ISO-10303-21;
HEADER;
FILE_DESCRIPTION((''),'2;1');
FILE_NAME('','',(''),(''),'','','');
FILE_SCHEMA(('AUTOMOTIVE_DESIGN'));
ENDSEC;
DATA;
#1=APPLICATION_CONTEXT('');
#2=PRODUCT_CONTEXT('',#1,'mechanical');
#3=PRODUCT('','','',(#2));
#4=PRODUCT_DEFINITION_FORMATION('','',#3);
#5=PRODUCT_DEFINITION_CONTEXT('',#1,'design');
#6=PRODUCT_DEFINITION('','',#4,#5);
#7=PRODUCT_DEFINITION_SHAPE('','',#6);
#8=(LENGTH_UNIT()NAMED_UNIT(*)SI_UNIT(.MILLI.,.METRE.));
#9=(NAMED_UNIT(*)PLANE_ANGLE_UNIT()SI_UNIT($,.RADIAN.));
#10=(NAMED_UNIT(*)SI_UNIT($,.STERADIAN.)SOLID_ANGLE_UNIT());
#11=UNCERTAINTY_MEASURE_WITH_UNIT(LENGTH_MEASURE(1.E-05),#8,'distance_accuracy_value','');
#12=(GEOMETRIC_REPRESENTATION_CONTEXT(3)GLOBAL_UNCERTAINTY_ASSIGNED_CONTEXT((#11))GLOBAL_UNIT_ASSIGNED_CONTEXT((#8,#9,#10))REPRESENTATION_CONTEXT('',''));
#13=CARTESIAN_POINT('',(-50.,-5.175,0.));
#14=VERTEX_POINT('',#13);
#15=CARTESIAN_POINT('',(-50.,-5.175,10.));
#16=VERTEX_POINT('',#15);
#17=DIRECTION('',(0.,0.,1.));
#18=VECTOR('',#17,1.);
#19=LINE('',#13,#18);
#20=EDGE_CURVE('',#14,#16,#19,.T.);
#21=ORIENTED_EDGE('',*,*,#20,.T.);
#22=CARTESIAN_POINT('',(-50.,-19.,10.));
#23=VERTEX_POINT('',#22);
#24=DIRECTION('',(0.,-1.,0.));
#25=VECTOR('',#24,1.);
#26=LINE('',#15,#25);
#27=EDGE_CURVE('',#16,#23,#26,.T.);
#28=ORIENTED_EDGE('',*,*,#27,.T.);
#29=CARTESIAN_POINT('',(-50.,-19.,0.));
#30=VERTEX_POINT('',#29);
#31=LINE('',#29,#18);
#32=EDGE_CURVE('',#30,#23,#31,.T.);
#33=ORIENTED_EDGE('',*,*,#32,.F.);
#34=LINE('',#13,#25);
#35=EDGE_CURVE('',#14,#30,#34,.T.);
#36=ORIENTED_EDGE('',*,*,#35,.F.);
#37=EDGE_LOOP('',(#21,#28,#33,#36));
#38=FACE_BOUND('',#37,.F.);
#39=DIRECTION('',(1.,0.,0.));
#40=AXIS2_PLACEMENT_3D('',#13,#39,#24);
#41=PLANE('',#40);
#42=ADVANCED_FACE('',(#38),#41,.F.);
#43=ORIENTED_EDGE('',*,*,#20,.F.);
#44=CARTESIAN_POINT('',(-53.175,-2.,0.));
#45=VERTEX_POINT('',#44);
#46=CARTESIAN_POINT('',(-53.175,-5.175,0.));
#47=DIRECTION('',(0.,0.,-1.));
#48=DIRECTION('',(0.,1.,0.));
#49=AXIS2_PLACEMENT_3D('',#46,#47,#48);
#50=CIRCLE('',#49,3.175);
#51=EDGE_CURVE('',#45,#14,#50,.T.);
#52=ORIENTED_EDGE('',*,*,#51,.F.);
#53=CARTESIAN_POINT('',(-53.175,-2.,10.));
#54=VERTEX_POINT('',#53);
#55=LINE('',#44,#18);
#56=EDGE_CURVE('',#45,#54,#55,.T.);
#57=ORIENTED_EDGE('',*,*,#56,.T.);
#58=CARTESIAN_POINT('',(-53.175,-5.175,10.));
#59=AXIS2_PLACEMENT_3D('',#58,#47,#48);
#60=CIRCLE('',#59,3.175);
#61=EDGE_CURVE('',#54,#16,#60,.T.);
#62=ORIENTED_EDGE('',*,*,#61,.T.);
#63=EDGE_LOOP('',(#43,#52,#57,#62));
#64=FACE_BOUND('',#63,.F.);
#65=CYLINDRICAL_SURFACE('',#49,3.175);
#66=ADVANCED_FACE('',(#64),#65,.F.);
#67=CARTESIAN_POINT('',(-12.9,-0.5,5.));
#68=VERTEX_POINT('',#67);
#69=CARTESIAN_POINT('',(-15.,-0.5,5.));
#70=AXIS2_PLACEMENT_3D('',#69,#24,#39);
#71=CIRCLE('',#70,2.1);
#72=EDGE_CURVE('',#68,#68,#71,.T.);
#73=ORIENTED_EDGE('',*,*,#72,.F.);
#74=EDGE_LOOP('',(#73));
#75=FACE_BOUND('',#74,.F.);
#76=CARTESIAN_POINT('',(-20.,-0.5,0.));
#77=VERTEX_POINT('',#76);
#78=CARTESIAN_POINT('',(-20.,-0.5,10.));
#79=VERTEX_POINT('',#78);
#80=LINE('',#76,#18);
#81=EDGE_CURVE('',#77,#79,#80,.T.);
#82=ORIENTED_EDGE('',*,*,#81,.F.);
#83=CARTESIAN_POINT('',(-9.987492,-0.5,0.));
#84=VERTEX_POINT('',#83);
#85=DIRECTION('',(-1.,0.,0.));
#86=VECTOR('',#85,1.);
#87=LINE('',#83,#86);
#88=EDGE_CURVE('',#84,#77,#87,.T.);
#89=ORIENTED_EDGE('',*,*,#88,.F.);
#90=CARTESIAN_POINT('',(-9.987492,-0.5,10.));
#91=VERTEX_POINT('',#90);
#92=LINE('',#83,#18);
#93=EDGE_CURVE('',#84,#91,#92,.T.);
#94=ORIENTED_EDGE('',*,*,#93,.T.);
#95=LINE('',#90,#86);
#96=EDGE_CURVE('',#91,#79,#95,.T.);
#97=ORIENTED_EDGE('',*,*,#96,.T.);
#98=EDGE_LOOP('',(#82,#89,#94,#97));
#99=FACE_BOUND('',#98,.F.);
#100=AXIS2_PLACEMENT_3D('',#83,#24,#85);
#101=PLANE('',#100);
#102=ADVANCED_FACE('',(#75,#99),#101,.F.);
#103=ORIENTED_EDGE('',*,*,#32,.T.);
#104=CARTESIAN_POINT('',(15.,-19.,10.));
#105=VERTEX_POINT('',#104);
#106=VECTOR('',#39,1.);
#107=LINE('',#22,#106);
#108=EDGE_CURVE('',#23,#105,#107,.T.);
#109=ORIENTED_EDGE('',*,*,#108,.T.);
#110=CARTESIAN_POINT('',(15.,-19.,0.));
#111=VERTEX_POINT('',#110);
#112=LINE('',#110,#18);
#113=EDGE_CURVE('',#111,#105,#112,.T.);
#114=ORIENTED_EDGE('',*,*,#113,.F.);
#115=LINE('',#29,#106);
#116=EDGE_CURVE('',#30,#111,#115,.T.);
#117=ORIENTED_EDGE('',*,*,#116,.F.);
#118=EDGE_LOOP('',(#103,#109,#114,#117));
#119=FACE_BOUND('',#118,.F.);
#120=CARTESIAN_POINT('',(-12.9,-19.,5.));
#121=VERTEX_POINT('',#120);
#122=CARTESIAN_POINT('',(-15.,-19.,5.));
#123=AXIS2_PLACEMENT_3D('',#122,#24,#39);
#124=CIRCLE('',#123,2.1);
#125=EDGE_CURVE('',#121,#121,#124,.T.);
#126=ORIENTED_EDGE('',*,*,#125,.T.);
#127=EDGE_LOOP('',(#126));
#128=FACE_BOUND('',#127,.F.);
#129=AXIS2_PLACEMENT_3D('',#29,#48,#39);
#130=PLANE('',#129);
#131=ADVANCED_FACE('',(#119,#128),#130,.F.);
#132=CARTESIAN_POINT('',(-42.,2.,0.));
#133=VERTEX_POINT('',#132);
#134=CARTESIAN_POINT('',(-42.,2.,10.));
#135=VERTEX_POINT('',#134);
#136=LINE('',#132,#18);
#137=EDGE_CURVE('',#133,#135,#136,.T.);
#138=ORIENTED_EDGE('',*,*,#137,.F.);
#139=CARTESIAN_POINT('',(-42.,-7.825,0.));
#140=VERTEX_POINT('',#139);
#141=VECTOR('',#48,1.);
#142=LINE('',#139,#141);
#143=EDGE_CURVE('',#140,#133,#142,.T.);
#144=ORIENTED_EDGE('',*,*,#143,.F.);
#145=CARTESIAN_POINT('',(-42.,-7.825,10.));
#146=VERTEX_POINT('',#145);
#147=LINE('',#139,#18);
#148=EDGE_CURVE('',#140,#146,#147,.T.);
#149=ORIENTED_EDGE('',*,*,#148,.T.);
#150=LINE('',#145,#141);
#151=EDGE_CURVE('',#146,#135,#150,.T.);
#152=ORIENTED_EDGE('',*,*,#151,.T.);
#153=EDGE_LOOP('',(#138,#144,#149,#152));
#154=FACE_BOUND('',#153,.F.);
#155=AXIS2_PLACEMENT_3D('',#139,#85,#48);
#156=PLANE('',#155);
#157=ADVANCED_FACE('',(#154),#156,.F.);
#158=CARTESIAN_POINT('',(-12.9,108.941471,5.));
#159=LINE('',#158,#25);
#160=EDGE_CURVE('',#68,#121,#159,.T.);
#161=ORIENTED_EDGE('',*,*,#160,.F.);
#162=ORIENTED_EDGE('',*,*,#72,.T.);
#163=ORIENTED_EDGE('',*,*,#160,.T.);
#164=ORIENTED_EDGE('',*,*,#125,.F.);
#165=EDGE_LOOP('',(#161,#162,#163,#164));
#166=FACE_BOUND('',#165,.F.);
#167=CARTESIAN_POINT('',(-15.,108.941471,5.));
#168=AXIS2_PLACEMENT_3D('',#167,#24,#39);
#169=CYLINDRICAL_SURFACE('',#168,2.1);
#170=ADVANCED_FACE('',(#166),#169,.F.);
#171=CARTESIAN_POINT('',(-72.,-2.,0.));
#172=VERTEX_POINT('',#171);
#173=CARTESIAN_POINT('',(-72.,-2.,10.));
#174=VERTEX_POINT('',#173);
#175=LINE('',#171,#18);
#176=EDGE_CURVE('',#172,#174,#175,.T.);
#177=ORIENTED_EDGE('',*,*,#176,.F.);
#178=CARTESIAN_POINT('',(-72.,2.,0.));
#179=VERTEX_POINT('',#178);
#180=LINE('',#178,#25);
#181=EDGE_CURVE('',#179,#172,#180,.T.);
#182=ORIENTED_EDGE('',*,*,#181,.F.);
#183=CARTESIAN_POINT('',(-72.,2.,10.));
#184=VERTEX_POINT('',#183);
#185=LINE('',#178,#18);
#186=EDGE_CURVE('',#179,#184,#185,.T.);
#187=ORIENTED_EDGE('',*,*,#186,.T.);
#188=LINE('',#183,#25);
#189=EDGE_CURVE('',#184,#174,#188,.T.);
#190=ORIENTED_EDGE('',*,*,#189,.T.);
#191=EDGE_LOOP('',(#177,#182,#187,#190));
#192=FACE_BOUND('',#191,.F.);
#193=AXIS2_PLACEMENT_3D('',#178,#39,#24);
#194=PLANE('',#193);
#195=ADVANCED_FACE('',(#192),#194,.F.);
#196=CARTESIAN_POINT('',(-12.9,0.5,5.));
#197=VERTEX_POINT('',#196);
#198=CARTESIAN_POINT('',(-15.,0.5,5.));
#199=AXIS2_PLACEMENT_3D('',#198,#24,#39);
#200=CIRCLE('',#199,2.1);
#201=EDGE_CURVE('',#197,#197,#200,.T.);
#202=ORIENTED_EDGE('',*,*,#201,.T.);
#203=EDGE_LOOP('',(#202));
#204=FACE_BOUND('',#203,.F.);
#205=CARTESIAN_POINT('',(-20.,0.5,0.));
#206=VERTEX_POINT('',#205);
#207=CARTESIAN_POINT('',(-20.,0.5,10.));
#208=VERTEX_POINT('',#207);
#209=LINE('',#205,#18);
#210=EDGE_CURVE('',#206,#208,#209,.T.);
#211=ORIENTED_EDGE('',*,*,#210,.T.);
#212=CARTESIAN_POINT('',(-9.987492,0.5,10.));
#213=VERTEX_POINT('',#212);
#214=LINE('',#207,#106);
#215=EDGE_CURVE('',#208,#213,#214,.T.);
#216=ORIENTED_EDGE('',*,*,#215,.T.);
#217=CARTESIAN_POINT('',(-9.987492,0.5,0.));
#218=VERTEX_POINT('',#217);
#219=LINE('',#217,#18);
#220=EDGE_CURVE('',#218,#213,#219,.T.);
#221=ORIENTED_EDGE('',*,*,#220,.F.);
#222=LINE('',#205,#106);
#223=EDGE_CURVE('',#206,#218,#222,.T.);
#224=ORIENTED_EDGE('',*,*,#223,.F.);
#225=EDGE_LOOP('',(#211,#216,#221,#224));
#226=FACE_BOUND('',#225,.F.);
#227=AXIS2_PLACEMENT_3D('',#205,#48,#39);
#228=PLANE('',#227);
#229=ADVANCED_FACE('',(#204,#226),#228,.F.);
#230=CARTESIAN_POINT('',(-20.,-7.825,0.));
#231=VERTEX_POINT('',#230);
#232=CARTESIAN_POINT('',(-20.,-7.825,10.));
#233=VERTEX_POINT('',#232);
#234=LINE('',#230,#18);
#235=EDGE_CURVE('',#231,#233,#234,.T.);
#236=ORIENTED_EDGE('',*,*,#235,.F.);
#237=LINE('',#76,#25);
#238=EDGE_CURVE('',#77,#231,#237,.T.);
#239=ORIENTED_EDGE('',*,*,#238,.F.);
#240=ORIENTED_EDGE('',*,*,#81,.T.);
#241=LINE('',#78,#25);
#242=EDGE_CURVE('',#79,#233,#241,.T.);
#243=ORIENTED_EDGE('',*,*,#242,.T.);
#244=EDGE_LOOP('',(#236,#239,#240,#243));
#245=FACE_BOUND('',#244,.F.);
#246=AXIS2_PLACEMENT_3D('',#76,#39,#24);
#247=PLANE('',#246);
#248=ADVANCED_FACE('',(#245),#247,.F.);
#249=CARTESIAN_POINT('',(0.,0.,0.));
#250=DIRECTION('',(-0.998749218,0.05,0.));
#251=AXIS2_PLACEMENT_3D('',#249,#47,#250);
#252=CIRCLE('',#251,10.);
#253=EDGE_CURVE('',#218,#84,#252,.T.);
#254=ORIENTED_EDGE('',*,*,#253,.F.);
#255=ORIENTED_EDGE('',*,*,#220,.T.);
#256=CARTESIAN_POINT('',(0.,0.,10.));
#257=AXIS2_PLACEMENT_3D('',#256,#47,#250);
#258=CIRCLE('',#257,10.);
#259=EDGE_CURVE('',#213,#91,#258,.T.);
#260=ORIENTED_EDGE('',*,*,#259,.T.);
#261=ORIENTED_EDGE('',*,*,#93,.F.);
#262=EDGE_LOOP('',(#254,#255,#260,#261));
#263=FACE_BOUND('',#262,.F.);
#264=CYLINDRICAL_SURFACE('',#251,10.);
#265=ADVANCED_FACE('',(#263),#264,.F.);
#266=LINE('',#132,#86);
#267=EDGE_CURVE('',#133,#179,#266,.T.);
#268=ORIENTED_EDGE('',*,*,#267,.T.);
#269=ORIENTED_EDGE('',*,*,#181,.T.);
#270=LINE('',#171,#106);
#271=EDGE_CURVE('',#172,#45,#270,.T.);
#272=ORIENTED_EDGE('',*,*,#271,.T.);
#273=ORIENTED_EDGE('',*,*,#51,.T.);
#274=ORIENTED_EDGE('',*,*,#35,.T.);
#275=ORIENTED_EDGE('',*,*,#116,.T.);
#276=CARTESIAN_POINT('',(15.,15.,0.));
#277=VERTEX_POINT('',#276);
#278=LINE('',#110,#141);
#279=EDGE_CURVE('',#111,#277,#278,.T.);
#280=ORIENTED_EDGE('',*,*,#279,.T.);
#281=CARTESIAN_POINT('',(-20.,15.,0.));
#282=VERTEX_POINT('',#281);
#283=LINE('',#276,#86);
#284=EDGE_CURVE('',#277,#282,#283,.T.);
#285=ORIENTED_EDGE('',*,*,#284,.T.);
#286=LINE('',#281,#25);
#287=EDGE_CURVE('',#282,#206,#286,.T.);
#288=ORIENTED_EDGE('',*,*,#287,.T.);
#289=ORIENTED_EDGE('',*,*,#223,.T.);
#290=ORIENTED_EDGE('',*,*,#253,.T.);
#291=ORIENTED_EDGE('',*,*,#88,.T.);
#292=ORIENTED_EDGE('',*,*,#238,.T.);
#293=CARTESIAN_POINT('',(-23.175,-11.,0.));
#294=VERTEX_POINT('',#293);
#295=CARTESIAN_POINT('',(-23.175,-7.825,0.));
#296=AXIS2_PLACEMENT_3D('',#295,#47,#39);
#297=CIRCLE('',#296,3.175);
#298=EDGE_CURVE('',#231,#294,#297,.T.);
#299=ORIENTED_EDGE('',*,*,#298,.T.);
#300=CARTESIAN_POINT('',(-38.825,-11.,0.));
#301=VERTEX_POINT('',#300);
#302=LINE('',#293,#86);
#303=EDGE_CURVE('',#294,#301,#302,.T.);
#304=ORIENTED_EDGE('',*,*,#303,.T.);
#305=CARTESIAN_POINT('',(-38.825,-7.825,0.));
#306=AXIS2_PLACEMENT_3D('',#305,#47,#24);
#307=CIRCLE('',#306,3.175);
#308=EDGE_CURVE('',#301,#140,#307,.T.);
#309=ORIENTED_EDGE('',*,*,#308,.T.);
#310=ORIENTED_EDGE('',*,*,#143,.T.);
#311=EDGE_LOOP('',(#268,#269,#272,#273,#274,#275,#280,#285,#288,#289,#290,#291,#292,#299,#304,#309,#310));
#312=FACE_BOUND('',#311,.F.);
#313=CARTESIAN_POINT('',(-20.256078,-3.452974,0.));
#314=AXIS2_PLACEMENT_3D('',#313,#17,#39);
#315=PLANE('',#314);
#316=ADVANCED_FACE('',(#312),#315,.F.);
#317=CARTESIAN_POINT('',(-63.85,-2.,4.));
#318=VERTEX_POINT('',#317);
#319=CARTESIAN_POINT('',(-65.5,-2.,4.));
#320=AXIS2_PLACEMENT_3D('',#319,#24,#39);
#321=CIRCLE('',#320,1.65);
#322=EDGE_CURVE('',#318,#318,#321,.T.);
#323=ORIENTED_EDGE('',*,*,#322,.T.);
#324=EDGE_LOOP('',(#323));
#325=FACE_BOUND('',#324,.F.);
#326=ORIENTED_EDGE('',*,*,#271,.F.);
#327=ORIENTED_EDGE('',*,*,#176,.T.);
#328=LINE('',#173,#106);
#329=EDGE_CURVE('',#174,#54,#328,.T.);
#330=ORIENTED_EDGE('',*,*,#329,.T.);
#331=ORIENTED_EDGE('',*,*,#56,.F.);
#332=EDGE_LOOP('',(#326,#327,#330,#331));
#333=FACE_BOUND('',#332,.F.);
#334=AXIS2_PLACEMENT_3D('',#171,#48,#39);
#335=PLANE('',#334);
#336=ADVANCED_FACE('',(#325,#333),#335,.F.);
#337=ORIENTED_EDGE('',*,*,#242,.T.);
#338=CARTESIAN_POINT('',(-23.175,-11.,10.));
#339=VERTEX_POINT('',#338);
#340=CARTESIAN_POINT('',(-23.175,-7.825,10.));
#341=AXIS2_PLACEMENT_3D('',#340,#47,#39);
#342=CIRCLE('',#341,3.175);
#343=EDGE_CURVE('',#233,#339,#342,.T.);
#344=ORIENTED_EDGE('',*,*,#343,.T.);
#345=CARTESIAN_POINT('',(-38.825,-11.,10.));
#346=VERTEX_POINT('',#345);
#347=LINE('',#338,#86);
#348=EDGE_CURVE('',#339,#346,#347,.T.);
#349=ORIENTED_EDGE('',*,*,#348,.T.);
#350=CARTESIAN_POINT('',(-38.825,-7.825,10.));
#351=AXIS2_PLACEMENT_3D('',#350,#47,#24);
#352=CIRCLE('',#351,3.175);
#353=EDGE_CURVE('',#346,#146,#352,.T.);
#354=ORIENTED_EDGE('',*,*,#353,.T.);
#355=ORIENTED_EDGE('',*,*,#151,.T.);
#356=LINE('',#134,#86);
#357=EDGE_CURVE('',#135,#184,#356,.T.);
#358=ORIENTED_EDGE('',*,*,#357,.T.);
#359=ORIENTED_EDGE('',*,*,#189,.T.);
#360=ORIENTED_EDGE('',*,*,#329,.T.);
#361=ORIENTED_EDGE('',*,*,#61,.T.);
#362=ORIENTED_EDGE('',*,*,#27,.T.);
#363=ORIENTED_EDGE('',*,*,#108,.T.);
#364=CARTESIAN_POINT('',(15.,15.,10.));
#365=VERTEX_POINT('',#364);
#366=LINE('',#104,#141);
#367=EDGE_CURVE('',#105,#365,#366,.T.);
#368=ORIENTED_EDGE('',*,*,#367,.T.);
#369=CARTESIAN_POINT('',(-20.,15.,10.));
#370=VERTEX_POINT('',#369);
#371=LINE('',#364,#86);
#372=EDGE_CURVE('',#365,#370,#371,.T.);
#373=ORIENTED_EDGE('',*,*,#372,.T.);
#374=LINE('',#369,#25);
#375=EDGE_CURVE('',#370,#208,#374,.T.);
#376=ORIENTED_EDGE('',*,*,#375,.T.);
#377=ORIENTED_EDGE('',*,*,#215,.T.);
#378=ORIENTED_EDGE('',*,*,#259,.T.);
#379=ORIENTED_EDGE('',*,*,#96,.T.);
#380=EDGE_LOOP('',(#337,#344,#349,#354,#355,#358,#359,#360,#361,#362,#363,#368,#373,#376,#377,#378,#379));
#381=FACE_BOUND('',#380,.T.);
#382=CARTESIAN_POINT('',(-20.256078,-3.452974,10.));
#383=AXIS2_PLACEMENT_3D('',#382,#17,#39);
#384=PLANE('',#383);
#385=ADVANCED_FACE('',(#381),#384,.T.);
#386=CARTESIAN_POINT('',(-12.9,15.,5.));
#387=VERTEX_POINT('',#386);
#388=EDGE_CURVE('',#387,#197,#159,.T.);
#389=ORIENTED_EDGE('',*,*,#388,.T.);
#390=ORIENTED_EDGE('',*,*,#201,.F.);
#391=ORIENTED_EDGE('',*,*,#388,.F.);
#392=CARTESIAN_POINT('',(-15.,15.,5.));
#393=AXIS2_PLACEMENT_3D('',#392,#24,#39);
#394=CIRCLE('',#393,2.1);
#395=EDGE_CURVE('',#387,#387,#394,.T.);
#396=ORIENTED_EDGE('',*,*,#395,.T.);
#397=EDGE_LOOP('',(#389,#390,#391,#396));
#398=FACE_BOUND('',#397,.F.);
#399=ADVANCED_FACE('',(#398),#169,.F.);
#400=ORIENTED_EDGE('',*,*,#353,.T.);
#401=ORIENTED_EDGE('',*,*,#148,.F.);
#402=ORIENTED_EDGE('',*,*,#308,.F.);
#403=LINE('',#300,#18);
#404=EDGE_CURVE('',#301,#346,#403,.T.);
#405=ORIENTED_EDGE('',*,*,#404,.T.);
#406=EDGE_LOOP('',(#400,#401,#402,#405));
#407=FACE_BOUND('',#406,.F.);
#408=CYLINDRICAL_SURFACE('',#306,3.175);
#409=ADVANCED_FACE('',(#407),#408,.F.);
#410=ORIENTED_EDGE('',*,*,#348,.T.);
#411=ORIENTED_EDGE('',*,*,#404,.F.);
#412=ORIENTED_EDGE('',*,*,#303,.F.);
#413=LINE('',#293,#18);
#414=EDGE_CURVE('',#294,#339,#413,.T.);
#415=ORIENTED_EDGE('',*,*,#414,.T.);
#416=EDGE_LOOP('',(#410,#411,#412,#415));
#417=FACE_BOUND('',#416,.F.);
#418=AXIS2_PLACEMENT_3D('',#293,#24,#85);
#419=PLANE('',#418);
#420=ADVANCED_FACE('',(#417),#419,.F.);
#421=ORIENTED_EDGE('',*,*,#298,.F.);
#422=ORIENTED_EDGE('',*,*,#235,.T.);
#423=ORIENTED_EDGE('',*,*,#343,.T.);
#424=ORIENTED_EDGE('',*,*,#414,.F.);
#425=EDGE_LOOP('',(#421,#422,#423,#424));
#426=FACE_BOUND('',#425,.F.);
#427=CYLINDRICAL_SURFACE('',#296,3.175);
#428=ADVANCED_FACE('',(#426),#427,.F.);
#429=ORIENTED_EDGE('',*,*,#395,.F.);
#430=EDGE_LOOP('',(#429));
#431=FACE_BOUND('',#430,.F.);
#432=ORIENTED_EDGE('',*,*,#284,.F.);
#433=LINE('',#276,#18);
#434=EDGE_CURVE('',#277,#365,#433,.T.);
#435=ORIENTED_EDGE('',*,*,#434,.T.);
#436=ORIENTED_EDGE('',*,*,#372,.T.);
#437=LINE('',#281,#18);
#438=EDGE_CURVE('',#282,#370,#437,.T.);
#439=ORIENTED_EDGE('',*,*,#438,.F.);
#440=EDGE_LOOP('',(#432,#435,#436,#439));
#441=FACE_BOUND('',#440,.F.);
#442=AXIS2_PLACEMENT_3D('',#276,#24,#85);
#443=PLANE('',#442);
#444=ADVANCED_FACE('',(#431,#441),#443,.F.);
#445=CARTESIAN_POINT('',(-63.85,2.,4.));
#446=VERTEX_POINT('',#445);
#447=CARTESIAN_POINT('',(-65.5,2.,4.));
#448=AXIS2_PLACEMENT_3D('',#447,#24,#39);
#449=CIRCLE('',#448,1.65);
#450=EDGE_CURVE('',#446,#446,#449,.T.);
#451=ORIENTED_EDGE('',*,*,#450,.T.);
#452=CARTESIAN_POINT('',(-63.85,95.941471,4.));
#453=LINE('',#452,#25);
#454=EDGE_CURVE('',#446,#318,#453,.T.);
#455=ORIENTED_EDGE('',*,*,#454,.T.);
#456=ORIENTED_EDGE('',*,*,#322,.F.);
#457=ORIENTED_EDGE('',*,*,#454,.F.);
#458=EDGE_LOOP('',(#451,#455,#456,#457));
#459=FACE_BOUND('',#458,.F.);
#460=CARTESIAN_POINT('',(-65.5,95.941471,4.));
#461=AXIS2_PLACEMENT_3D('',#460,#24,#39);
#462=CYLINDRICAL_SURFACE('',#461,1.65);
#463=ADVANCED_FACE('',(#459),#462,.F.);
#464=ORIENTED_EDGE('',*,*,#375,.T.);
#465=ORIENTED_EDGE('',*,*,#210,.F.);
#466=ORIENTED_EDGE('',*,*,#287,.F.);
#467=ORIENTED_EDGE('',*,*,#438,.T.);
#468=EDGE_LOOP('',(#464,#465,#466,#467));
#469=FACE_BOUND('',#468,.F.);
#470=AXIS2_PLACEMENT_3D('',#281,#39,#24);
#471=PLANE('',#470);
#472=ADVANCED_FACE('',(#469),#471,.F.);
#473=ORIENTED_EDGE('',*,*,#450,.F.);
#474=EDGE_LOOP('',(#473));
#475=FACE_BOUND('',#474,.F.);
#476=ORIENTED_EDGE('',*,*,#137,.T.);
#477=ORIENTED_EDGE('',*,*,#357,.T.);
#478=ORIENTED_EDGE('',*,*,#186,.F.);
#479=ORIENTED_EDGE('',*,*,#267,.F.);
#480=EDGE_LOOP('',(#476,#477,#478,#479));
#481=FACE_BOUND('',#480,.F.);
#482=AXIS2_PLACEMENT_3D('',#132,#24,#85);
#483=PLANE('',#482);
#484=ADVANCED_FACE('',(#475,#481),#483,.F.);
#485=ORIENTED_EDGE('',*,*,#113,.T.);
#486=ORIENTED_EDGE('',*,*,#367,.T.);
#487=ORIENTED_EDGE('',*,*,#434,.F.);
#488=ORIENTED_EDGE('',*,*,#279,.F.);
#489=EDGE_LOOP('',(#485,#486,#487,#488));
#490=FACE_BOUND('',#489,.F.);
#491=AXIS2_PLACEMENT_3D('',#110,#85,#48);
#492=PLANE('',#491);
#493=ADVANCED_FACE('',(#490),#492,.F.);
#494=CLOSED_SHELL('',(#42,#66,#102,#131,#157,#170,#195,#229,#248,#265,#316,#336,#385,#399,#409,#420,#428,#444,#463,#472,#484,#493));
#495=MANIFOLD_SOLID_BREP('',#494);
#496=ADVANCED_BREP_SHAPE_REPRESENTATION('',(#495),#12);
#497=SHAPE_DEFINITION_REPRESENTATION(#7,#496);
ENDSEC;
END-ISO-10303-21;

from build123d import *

# Parameters (mm, degrees)
F1_DEPTH = 10
F3_D     = 4.2
F5_D     = 3.3


with BuildPart() as f1:
    # F0 (on Top) → F1 (new body)
    with BuildSketch(Plane.XY):
        with BuildLine():
            ThreePointArc((-9.9874921777, 0.5), (10, 0), (-9.9874921777, -0.5))
            Line((-9.9874921777, -0.5), (-20, -0.5))
            Line((-20, -0.5), (-20, -7.825))
            ThreePointArc((-20, -7.825), (-20.9299359697, -10.0700640303), (-23.175, -11))
            Line((-23.175, -11), (-38.825, -11))
            ThreePointArc((-38.825, -11), (-41.0700640303, -10.0700640303), (-42, -7.825))
            Line((-42, -7.825), (-42, 2))
            Line((-42, 2), (-72, 2))
            Line((-72, 2), (-72, -2))
            Line((-72, -2), (-53.175, -2))
            ThreePointArc((-53.175, -2), (-50.9299359697, -2.9299359697), (-50, -5.175))
            Line((-50, -5.175), (-50, -19))
            Line((-50, -19), (15, -19))
            Line((15, -19), (15, 15))
            Line((15, 15), (-20, 15))
            Line((-20, 15), (-20, 0.5))
            Line((-20, 0.5), (-9.9874921777, 0.5))
        make_face()
    extrude(amount=F1_DEPTH)

    # F3 (through all)
    with Locations(Plane(origin=(0, 15, 0), x_dir=(-1, 0, 0), z_dir=(0, 1, 0))):
        with Locations((15, 5)):
            Hole(F3_D / 2)

    # F5 (through all)
    with Locations(Plane(origin=(0, 2, 0), x_dir=(-1, 0, 0), z_dir=(0, 1, 0))):
        with Locations((65.5, 4)):
            Hole(F5_D / 2)


solid = f1.part
